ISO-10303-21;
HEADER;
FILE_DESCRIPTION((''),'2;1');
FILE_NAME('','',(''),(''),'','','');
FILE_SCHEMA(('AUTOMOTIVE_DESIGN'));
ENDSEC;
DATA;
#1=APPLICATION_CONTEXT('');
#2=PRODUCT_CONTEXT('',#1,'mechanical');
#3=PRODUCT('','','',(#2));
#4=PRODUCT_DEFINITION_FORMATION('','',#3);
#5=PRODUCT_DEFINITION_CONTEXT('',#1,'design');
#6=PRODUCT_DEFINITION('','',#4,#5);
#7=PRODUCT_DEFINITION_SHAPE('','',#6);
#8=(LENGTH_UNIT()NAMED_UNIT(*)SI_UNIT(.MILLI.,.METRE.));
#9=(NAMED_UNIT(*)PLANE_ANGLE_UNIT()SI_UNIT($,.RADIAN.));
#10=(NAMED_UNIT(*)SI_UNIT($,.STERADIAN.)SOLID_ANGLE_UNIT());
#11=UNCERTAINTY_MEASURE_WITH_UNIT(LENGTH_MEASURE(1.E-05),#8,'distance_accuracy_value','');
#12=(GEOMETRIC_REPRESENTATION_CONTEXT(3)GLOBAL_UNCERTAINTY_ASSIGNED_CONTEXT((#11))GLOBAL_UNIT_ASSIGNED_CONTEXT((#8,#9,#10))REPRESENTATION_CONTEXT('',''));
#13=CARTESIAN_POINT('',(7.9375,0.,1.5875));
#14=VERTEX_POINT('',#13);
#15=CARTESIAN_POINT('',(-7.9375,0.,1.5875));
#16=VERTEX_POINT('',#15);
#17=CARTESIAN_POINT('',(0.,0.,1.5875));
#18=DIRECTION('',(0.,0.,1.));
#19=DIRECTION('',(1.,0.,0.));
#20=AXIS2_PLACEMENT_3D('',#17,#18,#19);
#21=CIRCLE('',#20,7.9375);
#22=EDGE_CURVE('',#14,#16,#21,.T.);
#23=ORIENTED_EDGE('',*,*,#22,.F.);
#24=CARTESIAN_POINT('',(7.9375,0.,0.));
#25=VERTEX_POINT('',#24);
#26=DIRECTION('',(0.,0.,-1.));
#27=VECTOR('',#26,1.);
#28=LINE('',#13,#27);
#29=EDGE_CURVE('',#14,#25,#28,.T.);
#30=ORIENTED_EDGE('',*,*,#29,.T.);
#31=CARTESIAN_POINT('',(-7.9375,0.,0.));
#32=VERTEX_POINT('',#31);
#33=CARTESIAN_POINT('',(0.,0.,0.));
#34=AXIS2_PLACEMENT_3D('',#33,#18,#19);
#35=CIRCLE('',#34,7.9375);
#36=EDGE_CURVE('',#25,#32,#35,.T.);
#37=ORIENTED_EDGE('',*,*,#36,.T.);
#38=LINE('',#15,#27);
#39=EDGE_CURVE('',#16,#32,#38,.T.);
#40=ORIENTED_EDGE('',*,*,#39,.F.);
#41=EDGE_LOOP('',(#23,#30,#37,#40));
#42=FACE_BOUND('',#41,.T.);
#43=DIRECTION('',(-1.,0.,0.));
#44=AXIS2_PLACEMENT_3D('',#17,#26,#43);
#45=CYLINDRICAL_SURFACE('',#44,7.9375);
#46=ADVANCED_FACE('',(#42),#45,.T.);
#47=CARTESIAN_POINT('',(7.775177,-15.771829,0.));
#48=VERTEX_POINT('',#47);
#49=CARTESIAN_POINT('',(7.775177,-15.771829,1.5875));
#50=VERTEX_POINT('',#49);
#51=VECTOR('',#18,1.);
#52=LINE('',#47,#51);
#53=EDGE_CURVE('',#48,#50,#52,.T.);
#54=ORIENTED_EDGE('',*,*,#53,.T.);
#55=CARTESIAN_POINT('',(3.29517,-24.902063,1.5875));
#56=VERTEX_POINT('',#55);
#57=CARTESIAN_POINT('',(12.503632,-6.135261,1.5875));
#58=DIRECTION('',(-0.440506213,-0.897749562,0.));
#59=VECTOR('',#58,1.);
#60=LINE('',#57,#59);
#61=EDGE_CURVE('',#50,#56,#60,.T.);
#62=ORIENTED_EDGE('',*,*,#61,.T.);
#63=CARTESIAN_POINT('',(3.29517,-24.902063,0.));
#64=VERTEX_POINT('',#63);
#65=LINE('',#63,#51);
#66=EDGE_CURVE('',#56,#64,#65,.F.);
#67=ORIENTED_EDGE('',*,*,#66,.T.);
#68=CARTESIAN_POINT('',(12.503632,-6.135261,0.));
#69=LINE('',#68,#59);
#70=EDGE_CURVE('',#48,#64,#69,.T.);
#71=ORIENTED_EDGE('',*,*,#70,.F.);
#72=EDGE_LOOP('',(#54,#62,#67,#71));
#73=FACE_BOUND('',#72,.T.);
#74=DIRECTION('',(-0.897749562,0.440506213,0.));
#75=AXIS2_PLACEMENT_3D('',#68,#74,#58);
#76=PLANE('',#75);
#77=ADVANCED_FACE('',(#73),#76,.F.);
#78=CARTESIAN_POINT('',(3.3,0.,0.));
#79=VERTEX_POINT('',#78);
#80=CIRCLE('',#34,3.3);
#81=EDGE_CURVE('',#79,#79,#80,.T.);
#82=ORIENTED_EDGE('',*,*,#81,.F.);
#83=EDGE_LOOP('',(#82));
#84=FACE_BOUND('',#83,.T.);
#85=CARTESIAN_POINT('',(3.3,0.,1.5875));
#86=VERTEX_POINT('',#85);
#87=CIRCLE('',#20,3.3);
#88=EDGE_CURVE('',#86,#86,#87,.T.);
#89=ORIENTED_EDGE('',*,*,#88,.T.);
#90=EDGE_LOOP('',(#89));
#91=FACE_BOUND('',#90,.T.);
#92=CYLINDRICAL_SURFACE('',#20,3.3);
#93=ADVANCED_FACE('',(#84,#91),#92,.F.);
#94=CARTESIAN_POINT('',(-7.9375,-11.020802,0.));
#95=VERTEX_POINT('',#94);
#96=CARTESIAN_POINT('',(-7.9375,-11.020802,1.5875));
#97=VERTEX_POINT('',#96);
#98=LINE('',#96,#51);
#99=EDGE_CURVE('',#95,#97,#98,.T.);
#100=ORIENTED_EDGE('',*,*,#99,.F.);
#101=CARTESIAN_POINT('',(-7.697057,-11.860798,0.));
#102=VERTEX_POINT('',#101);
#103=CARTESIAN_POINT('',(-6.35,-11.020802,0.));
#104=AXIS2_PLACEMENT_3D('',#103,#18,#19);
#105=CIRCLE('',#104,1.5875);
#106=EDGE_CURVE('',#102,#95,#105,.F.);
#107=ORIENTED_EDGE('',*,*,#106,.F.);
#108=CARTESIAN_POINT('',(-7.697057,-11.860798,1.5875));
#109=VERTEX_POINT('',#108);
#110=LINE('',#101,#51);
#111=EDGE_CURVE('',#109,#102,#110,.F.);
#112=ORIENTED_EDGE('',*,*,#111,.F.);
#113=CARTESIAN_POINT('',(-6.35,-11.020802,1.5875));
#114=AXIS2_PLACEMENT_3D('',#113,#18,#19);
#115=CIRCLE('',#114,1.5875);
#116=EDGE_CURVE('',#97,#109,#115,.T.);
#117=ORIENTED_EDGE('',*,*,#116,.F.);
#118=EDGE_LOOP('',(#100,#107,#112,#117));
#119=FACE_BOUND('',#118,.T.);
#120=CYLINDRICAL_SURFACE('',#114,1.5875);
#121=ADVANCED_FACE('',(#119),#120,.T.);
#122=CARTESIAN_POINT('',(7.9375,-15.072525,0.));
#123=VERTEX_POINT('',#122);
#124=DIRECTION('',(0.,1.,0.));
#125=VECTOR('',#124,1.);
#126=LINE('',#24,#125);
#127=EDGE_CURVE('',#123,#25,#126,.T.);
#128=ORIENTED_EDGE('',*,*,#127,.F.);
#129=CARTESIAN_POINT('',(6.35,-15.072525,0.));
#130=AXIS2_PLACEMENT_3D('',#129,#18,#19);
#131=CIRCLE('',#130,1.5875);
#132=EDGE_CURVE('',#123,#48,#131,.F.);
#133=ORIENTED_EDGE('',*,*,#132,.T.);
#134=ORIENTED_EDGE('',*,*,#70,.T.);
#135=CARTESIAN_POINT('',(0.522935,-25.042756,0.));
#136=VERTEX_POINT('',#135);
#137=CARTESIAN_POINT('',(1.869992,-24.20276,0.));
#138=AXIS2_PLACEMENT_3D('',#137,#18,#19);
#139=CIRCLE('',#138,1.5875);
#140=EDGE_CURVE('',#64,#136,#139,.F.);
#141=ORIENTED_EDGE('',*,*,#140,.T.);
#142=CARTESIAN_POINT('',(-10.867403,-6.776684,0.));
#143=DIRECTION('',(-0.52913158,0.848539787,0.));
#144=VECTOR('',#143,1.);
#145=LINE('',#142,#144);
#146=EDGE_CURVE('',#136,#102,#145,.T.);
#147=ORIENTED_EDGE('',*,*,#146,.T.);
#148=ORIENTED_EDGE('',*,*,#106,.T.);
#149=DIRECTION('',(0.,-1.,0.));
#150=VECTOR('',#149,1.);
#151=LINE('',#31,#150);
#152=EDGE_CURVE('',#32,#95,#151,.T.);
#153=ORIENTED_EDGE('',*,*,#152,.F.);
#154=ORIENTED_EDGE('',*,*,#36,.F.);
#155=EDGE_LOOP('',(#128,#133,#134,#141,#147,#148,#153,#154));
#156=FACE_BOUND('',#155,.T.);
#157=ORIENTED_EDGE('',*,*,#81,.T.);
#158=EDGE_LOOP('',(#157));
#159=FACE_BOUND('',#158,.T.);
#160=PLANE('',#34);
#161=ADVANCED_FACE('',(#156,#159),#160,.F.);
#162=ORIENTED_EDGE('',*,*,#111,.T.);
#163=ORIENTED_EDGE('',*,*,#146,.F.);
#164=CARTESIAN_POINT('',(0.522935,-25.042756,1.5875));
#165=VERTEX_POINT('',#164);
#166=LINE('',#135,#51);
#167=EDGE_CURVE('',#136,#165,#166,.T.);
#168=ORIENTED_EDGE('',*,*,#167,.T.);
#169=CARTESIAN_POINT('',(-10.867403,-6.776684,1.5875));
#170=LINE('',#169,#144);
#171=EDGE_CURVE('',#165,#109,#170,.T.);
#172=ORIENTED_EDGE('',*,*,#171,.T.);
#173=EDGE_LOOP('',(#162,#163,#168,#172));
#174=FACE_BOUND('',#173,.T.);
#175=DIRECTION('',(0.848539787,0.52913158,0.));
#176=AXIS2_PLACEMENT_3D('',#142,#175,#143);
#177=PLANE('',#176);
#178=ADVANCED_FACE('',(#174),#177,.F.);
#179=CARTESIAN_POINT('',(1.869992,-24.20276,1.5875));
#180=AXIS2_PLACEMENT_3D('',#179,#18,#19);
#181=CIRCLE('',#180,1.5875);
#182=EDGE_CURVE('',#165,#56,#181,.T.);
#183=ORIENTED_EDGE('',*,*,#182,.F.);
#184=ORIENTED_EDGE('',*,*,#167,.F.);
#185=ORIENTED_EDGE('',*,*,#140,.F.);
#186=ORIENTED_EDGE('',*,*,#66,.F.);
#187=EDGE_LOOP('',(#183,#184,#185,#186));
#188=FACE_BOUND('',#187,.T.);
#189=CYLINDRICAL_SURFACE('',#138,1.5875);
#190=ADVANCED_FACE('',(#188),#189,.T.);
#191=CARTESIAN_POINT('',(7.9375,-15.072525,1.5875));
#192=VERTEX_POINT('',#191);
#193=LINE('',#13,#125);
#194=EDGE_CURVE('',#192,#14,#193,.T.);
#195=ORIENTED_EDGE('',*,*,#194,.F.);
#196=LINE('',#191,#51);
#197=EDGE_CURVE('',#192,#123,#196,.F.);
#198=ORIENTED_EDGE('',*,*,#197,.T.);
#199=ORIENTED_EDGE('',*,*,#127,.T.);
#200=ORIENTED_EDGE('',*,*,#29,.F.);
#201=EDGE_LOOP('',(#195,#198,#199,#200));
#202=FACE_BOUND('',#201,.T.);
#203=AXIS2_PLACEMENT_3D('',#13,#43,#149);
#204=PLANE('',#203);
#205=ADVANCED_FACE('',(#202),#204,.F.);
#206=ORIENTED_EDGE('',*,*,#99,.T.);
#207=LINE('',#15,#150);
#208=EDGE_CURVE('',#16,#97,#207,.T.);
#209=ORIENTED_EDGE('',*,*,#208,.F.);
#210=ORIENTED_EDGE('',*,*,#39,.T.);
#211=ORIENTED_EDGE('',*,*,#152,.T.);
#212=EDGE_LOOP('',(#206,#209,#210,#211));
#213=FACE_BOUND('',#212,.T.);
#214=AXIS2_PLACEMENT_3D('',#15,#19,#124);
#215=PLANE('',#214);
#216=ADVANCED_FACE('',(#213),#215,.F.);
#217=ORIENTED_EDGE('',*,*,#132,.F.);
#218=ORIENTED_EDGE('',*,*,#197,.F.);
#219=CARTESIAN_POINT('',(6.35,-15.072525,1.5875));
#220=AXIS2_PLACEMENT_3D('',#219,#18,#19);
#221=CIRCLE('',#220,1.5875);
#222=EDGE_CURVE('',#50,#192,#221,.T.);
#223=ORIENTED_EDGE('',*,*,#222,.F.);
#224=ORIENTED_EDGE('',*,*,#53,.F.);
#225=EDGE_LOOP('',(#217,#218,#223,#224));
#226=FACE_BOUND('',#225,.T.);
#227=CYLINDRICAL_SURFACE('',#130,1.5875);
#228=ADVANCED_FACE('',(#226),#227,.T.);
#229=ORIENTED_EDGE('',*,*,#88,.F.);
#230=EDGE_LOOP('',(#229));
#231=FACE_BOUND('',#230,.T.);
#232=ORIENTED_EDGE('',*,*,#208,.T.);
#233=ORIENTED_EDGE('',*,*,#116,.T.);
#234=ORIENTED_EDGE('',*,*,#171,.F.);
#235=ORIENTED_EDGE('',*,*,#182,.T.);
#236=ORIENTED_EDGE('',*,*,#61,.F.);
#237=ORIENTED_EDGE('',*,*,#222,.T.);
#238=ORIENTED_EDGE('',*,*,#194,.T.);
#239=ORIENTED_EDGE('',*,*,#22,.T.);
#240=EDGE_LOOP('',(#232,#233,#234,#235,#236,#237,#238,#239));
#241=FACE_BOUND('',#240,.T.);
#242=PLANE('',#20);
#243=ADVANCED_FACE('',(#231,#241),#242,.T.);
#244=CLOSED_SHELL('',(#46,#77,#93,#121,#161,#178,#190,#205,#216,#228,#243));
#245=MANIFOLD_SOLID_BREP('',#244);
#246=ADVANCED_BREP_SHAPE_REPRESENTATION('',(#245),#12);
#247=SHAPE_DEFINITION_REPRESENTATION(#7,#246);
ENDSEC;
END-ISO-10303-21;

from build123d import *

# Parameters (mm, degrees)
SKETCH1_R            = 7.9375
SKETCH1_R_2          = 3
BOSS_EXTRUDE1_DEPTH  = 1.5875
M6_CLEARANCE_HOLE1_D = 6.6
CUT_EXTRUDE1_DEPTH   = 30.699405508
FILLET1_R            = 1.5875


with BuildPart() as part:
    # Sketch1 → Boss-Extrude1 (new body)
    # profile 1 of 3: a face of its own
    with BuildSketch(Plane.XY):
        Circle(SKETCH1_R)
        Circle(SKETCH1_R_2, mode=Mode.SUBTRACT)
    # profile 2 of 3: a face of its own
    with BuildSketch(Plane.XY):
        with BuildLine():
            ThreePointArc((7.9375, 0), (0, -7.9375), (-7.9375, 0))
            Line((-7.9375, 0), (-7.9375, -28.575))
            Line((-7.9375, -28.575), (7.9375, -28.575))
            Line((7.9375, -28.575), (7.9375, 0))
        make_face()
    # profile 3 of 3: a face of its own
    with BuildSketch(Plane.XY):
        Circle(SKETCH1_R_2)
    extrude(amount=BOSS_EXTRUDE1_DEPTH)

    # M6 Clearance Hole1 (through all)
    with Locations(Plane.XY.offset(1.5875)):
        with Locations((0, 0)):
            Hole(M6_CLEARANCE_HOLE1_D / 2)

    # Sketch4 → Cut-Extrude1 (cut, through all)
    with BuildSketch(Plane.XY.offset(1.5875)):
        Polygon((7.9375, -28.575), (7.9375, -15.441016157), (2.035744182, -27.468766371), (-7.9375, -11.475212377), (-7.9375, -28.575), align=None)
    extrude(amount=-CUT_EXTRUDE1_DEPTH, mode=Mode.SUBTRACT)

    # Fillet1
    fillet1_edges = [part.edges().sort_by_distance(p)[0] for p in [
        (-7.9375, -11.475212377, 0.79375),
        (2.035744182, -27.468766371, 0.79375),
        (7.9375, -15.441016157, 0.79375),
    ]]
    fillet(fillet1_edges, radius=FILLET1_R)


solid = part.part
